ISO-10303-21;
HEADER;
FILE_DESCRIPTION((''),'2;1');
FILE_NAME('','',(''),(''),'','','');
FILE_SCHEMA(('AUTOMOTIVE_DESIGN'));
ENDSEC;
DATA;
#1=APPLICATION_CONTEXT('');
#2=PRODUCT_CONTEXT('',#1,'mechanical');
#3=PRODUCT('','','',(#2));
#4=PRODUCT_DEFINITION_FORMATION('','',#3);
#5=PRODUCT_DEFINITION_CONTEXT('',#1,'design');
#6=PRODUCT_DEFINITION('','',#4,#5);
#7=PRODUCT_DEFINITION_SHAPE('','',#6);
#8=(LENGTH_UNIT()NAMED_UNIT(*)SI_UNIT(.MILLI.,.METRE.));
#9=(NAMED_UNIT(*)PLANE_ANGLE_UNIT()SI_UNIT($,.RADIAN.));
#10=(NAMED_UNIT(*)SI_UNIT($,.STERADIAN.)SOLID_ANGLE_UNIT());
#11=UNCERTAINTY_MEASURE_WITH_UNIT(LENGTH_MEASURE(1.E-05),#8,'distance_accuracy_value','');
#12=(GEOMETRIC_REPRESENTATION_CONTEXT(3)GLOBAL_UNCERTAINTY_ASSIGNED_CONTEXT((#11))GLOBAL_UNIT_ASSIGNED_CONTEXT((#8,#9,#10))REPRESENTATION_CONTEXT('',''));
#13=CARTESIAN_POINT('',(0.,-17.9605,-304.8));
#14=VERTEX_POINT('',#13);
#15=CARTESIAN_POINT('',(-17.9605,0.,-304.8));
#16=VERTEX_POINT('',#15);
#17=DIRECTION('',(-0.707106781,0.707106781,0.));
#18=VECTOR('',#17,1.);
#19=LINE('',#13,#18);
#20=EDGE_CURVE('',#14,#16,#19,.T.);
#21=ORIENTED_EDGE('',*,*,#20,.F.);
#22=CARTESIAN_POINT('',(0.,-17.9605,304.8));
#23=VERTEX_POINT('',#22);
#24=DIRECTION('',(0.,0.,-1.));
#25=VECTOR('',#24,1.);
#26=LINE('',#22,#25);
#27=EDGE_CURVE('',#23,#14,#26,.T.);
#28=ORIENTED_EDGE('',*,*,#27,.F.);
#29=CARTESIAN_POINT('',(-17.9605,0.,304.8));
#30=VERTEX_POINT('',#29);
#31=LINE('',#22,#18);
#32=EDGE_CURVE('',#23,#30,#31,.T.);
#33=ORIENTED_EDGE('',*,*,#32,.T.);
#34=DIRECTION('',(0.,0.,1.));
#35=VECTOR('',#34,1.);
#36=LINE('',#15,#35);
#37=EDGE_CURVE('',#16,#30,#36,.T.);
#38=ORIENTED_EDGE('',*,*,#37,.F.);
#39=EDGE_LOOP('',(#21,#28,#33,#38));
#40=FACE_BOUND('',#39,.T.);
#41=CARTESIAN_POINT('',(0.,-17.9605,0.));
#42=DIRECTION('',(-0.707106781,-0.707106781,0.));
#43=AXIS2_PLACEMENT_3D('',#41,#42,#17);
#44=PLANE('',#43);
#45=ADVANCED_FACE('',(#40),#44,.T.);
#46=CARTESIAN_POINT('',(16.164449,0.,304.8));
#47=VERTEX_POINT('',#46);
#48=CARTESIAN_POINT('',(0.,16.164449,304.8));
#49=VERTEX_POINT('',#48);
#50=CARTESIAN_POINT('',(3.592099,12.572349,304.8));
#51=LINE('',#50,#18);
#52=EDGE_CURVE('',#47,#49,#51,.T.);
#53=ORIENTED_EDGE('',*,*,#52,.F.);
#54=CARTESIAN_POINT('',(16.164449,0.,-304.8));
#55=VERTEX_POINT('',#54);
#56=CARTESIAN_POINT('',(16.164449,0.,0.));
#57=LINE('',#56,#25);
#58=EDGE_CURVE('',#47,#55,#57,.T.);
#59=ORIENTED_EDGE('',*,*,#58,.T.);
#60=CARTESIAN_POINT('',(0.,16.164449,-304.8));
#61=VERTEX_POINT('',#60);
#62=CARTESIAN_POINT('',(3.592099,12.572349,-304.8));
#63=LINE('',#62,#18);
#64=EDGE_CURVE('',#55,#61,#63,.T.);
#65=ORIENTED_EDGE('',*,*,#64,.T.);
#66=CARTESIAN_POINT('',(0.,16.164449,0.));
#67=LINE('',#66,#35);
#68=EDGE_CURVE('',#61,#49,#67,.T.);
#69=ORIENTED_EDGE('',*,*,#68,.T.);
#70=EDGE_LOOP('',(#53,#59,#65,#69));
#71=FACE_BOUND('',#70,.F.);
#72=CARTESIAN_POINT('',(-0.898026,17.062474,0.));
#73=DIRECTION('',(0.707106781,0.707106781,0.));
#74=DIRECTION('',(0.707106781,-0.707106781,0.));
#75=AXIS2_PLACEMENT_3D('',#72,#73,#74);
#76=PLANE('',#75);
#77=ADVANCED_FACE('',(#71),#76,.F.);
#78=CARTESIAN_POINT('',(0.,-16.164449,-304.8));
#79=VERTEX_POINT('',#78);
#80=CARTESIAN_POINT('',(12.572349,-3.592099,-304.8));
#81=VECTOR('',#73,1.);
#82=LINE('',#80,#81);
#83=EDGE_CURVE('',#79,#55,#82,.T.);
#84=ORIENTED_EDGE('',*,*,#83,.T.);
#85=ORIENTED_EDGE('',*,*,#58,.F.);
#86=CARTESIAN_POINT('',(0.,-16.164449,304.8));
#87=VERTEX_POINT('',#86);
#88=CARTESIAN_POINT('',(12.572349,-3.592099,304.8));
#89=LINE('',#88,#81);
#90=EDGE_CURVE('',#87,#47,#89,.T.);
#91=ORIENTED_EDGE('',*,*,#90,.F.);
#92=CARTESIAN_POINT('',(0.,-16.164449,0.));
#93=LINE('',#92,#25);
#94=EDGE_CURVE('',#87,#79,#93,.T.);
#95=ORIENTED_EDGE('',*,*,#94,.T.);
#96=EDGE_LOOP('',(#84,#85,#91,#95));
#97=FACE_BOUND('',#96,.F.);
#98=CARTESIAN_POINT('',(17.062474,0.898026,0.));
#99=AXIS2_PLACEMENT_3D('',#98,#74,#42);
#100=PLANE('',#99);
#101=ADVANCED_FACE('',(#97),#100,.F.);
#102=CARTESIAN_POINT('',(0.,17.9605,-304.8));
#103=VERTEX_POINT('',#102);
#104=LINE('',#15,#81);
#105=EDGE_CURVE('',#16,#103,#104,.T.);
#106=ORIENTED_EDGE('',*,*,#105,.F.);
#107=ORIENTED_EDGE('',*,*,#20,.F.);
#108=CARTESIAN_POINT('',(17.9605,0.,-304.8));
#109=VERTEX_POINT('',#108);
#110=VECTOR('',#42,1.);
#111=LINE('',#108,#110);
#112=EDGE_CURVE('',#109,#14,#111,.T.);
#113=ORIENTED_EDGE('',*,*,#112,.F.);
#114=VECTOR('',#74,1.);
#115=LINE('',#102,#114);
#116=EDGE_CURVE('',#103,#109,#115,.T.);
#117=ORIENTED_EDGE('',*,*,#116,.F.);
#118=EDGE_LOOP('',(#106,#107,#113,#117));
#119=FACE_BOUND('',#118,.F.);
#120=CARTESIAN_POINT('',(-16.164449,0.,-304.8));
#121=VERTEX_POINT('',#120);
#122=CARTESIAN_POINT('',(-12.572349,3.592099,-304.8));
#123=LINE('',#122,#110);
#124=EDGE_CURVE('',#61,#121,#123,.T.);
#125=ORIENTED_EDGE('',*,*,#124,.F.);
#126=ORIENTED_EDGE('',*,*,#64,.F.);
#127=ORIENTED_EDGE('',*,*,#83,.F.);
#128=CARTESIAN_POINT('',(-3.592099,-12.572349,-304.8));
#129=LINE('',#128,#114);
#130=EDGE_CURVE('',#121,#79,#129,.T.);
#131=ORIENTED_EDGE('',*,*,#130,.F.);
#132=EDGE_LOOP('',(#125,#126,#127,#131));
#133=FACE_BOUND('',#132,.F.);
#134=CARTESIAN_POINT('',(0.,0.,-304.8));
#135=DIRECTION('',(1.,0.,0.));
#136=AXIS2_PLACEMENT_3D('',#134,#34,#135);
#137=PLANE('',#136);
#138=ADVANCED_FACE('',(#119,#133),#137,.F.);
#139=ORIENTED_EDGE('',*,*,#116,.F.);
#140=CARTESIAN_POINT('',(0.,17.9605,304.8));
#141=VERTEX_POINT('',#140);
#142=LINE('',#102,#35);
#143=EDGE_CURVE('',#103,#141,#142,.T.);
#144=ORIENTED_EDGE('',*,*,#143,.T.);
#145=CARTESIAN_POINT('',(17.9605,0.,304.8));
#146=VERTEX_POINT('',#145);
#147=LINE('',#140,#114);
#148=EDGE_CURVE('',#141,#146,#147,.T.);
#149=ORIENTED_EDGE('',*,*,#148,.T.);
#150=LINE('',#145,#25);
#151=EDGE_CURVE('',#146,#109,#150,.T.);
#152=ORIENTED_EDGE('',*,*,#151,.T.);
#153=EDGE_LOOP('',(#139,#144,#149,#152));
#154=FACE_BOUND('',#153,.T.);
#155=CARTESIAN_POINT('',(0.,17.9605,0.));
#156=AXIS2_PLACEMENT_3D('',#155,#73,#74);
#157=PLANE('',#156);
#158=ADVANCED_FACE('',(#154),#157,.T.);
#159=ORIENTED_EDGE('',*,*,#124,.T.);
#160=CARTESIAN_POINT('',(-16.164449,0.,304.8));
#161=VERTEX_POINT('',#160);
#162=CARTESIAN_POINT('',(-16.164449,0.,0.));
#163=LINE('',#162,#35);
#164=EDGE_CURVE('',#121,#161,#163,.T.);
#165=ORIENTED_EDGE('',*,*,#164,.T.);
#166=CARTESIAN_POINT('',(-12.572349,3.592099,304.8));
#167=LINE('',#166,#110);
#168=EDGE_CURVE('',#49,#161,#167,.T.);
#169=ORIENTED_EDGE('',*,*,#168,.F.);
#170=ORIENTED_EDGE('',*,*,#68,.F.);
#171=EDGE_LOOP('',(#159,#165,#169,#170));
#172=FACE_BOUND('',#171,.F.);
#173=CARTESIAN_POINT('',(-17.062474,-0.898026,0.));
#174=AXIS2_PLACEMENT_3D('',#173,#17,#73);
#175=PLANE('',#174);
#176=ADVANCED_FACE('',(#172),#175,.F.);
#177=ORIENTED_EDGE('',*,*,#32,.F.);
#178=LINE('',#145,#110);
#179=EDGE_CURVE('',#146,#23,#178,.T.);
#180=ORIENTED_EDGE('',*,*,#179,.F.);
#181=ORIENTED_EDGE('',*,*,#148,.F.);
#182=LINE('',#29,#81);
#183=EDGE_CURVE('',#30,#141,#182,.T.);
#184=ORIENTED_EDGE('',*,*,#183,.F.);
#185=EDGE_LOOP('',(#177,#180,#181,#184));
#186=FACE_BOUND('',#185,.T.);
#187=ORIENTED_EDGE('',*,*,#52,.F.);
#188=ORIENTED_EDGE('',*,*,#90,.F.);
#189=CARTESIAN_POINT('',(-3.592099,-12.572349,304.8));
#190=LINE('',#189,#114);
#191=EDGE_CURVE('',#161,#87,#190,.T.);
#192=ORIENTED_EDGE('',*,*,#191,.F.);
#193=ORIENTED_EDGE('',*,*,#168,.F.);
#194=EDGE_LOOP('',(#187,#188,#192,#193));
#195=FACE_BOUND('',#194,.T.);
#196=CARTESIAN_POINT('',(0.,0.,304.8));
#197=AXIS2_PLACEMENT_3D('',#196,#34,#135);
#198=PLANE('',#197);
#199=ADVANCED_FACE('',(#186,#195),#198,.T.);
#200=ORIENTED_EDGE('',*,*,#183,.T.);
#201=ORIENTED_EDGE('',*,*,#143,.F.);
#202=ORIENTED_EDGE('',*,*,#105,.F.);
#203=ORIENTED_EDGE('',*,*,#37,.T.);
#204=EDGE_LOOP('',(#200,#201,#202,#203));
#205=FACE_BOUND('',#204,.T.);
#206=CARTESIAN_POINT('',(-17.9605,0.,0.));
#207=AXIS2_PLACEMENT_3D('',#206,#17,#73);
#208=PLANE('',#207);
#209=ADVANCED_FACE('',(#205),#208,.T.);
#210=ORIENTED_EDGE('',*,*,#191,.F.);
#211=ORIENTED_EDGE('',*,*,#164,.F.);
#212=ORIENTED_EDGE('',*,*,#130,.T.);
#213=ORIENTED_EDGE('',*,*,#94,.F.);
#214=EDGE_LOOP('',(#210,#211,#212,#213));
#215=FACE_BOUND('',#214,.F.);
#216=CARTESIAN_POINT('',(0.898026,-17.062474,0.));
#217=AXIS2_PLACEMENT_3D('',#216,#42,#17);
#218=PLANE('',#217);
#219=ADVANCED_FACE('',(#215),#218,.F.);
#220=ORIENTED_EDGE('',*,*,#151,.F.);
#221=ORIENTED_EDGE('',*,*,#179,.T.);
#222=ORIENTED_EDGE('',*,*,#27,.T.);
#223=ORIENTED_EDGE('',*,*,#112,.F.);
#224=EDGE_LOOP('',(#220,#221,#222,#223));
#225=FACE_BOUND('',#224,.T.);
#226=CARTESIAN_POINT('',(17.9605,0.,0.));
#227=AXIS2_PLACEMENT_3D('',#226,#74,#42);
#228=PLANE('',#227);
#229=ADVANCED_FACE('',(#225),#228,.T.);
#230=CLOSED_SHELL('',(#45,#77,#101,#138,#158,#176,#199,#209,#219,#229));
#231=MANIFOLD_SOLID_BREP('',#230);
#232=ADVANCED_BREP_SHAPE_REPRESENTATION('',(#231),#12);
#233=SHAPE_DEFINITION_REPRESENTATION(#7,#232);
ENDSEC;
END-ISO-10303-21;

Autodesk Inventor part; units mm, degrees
ref_plane "YZ Plane" through (0, 0, 0) normal (1, 0, 0) x (0, 1, 0)
ref_plane "XZ Plane" through (0, 0, 0) normal (0, 1, 0) x (-1, 0, 0)
ref_plane "XY Plane" through (0, 0, 0) normal (0, 0, 1) x (1, 0, 0)
sketch "Sketch1" plane through (0, 0, 0) normal (0, 0, 1) x (1, 0, 0)
  line L0 (0, 17.9605) -> (17.9605, 0)
  line L1 (17.9605, 0) -> (0, -17.9605)
  line L2 (0, -17.9605) -> (-17.9605, 0)
  line L3 (-17.9605, 0) -> (0, 17.9605)
  line L4 (0, 17.9605) -> (0, -17.9605) construction
  line L5 (17.9605, 0) -> (-17.9605, 0) construction
  point P0 (0, 0)
  point P1 (0, 0)
  point P2 (0, 0)
  point P3 (0, 0)
  dimension "d2" = 25.4
  dimension "d3" = 25.4
extrude "Extrusion1" add sketch "Sketch1" along normal mid plane 609.6
shell "Shell1" thickness 1.27 removed faces 2 at (0, -5.9868, 304.8) at (0, -5.9868, -304.8)
properties part number "base_rail" material "Aluminum 6061"
